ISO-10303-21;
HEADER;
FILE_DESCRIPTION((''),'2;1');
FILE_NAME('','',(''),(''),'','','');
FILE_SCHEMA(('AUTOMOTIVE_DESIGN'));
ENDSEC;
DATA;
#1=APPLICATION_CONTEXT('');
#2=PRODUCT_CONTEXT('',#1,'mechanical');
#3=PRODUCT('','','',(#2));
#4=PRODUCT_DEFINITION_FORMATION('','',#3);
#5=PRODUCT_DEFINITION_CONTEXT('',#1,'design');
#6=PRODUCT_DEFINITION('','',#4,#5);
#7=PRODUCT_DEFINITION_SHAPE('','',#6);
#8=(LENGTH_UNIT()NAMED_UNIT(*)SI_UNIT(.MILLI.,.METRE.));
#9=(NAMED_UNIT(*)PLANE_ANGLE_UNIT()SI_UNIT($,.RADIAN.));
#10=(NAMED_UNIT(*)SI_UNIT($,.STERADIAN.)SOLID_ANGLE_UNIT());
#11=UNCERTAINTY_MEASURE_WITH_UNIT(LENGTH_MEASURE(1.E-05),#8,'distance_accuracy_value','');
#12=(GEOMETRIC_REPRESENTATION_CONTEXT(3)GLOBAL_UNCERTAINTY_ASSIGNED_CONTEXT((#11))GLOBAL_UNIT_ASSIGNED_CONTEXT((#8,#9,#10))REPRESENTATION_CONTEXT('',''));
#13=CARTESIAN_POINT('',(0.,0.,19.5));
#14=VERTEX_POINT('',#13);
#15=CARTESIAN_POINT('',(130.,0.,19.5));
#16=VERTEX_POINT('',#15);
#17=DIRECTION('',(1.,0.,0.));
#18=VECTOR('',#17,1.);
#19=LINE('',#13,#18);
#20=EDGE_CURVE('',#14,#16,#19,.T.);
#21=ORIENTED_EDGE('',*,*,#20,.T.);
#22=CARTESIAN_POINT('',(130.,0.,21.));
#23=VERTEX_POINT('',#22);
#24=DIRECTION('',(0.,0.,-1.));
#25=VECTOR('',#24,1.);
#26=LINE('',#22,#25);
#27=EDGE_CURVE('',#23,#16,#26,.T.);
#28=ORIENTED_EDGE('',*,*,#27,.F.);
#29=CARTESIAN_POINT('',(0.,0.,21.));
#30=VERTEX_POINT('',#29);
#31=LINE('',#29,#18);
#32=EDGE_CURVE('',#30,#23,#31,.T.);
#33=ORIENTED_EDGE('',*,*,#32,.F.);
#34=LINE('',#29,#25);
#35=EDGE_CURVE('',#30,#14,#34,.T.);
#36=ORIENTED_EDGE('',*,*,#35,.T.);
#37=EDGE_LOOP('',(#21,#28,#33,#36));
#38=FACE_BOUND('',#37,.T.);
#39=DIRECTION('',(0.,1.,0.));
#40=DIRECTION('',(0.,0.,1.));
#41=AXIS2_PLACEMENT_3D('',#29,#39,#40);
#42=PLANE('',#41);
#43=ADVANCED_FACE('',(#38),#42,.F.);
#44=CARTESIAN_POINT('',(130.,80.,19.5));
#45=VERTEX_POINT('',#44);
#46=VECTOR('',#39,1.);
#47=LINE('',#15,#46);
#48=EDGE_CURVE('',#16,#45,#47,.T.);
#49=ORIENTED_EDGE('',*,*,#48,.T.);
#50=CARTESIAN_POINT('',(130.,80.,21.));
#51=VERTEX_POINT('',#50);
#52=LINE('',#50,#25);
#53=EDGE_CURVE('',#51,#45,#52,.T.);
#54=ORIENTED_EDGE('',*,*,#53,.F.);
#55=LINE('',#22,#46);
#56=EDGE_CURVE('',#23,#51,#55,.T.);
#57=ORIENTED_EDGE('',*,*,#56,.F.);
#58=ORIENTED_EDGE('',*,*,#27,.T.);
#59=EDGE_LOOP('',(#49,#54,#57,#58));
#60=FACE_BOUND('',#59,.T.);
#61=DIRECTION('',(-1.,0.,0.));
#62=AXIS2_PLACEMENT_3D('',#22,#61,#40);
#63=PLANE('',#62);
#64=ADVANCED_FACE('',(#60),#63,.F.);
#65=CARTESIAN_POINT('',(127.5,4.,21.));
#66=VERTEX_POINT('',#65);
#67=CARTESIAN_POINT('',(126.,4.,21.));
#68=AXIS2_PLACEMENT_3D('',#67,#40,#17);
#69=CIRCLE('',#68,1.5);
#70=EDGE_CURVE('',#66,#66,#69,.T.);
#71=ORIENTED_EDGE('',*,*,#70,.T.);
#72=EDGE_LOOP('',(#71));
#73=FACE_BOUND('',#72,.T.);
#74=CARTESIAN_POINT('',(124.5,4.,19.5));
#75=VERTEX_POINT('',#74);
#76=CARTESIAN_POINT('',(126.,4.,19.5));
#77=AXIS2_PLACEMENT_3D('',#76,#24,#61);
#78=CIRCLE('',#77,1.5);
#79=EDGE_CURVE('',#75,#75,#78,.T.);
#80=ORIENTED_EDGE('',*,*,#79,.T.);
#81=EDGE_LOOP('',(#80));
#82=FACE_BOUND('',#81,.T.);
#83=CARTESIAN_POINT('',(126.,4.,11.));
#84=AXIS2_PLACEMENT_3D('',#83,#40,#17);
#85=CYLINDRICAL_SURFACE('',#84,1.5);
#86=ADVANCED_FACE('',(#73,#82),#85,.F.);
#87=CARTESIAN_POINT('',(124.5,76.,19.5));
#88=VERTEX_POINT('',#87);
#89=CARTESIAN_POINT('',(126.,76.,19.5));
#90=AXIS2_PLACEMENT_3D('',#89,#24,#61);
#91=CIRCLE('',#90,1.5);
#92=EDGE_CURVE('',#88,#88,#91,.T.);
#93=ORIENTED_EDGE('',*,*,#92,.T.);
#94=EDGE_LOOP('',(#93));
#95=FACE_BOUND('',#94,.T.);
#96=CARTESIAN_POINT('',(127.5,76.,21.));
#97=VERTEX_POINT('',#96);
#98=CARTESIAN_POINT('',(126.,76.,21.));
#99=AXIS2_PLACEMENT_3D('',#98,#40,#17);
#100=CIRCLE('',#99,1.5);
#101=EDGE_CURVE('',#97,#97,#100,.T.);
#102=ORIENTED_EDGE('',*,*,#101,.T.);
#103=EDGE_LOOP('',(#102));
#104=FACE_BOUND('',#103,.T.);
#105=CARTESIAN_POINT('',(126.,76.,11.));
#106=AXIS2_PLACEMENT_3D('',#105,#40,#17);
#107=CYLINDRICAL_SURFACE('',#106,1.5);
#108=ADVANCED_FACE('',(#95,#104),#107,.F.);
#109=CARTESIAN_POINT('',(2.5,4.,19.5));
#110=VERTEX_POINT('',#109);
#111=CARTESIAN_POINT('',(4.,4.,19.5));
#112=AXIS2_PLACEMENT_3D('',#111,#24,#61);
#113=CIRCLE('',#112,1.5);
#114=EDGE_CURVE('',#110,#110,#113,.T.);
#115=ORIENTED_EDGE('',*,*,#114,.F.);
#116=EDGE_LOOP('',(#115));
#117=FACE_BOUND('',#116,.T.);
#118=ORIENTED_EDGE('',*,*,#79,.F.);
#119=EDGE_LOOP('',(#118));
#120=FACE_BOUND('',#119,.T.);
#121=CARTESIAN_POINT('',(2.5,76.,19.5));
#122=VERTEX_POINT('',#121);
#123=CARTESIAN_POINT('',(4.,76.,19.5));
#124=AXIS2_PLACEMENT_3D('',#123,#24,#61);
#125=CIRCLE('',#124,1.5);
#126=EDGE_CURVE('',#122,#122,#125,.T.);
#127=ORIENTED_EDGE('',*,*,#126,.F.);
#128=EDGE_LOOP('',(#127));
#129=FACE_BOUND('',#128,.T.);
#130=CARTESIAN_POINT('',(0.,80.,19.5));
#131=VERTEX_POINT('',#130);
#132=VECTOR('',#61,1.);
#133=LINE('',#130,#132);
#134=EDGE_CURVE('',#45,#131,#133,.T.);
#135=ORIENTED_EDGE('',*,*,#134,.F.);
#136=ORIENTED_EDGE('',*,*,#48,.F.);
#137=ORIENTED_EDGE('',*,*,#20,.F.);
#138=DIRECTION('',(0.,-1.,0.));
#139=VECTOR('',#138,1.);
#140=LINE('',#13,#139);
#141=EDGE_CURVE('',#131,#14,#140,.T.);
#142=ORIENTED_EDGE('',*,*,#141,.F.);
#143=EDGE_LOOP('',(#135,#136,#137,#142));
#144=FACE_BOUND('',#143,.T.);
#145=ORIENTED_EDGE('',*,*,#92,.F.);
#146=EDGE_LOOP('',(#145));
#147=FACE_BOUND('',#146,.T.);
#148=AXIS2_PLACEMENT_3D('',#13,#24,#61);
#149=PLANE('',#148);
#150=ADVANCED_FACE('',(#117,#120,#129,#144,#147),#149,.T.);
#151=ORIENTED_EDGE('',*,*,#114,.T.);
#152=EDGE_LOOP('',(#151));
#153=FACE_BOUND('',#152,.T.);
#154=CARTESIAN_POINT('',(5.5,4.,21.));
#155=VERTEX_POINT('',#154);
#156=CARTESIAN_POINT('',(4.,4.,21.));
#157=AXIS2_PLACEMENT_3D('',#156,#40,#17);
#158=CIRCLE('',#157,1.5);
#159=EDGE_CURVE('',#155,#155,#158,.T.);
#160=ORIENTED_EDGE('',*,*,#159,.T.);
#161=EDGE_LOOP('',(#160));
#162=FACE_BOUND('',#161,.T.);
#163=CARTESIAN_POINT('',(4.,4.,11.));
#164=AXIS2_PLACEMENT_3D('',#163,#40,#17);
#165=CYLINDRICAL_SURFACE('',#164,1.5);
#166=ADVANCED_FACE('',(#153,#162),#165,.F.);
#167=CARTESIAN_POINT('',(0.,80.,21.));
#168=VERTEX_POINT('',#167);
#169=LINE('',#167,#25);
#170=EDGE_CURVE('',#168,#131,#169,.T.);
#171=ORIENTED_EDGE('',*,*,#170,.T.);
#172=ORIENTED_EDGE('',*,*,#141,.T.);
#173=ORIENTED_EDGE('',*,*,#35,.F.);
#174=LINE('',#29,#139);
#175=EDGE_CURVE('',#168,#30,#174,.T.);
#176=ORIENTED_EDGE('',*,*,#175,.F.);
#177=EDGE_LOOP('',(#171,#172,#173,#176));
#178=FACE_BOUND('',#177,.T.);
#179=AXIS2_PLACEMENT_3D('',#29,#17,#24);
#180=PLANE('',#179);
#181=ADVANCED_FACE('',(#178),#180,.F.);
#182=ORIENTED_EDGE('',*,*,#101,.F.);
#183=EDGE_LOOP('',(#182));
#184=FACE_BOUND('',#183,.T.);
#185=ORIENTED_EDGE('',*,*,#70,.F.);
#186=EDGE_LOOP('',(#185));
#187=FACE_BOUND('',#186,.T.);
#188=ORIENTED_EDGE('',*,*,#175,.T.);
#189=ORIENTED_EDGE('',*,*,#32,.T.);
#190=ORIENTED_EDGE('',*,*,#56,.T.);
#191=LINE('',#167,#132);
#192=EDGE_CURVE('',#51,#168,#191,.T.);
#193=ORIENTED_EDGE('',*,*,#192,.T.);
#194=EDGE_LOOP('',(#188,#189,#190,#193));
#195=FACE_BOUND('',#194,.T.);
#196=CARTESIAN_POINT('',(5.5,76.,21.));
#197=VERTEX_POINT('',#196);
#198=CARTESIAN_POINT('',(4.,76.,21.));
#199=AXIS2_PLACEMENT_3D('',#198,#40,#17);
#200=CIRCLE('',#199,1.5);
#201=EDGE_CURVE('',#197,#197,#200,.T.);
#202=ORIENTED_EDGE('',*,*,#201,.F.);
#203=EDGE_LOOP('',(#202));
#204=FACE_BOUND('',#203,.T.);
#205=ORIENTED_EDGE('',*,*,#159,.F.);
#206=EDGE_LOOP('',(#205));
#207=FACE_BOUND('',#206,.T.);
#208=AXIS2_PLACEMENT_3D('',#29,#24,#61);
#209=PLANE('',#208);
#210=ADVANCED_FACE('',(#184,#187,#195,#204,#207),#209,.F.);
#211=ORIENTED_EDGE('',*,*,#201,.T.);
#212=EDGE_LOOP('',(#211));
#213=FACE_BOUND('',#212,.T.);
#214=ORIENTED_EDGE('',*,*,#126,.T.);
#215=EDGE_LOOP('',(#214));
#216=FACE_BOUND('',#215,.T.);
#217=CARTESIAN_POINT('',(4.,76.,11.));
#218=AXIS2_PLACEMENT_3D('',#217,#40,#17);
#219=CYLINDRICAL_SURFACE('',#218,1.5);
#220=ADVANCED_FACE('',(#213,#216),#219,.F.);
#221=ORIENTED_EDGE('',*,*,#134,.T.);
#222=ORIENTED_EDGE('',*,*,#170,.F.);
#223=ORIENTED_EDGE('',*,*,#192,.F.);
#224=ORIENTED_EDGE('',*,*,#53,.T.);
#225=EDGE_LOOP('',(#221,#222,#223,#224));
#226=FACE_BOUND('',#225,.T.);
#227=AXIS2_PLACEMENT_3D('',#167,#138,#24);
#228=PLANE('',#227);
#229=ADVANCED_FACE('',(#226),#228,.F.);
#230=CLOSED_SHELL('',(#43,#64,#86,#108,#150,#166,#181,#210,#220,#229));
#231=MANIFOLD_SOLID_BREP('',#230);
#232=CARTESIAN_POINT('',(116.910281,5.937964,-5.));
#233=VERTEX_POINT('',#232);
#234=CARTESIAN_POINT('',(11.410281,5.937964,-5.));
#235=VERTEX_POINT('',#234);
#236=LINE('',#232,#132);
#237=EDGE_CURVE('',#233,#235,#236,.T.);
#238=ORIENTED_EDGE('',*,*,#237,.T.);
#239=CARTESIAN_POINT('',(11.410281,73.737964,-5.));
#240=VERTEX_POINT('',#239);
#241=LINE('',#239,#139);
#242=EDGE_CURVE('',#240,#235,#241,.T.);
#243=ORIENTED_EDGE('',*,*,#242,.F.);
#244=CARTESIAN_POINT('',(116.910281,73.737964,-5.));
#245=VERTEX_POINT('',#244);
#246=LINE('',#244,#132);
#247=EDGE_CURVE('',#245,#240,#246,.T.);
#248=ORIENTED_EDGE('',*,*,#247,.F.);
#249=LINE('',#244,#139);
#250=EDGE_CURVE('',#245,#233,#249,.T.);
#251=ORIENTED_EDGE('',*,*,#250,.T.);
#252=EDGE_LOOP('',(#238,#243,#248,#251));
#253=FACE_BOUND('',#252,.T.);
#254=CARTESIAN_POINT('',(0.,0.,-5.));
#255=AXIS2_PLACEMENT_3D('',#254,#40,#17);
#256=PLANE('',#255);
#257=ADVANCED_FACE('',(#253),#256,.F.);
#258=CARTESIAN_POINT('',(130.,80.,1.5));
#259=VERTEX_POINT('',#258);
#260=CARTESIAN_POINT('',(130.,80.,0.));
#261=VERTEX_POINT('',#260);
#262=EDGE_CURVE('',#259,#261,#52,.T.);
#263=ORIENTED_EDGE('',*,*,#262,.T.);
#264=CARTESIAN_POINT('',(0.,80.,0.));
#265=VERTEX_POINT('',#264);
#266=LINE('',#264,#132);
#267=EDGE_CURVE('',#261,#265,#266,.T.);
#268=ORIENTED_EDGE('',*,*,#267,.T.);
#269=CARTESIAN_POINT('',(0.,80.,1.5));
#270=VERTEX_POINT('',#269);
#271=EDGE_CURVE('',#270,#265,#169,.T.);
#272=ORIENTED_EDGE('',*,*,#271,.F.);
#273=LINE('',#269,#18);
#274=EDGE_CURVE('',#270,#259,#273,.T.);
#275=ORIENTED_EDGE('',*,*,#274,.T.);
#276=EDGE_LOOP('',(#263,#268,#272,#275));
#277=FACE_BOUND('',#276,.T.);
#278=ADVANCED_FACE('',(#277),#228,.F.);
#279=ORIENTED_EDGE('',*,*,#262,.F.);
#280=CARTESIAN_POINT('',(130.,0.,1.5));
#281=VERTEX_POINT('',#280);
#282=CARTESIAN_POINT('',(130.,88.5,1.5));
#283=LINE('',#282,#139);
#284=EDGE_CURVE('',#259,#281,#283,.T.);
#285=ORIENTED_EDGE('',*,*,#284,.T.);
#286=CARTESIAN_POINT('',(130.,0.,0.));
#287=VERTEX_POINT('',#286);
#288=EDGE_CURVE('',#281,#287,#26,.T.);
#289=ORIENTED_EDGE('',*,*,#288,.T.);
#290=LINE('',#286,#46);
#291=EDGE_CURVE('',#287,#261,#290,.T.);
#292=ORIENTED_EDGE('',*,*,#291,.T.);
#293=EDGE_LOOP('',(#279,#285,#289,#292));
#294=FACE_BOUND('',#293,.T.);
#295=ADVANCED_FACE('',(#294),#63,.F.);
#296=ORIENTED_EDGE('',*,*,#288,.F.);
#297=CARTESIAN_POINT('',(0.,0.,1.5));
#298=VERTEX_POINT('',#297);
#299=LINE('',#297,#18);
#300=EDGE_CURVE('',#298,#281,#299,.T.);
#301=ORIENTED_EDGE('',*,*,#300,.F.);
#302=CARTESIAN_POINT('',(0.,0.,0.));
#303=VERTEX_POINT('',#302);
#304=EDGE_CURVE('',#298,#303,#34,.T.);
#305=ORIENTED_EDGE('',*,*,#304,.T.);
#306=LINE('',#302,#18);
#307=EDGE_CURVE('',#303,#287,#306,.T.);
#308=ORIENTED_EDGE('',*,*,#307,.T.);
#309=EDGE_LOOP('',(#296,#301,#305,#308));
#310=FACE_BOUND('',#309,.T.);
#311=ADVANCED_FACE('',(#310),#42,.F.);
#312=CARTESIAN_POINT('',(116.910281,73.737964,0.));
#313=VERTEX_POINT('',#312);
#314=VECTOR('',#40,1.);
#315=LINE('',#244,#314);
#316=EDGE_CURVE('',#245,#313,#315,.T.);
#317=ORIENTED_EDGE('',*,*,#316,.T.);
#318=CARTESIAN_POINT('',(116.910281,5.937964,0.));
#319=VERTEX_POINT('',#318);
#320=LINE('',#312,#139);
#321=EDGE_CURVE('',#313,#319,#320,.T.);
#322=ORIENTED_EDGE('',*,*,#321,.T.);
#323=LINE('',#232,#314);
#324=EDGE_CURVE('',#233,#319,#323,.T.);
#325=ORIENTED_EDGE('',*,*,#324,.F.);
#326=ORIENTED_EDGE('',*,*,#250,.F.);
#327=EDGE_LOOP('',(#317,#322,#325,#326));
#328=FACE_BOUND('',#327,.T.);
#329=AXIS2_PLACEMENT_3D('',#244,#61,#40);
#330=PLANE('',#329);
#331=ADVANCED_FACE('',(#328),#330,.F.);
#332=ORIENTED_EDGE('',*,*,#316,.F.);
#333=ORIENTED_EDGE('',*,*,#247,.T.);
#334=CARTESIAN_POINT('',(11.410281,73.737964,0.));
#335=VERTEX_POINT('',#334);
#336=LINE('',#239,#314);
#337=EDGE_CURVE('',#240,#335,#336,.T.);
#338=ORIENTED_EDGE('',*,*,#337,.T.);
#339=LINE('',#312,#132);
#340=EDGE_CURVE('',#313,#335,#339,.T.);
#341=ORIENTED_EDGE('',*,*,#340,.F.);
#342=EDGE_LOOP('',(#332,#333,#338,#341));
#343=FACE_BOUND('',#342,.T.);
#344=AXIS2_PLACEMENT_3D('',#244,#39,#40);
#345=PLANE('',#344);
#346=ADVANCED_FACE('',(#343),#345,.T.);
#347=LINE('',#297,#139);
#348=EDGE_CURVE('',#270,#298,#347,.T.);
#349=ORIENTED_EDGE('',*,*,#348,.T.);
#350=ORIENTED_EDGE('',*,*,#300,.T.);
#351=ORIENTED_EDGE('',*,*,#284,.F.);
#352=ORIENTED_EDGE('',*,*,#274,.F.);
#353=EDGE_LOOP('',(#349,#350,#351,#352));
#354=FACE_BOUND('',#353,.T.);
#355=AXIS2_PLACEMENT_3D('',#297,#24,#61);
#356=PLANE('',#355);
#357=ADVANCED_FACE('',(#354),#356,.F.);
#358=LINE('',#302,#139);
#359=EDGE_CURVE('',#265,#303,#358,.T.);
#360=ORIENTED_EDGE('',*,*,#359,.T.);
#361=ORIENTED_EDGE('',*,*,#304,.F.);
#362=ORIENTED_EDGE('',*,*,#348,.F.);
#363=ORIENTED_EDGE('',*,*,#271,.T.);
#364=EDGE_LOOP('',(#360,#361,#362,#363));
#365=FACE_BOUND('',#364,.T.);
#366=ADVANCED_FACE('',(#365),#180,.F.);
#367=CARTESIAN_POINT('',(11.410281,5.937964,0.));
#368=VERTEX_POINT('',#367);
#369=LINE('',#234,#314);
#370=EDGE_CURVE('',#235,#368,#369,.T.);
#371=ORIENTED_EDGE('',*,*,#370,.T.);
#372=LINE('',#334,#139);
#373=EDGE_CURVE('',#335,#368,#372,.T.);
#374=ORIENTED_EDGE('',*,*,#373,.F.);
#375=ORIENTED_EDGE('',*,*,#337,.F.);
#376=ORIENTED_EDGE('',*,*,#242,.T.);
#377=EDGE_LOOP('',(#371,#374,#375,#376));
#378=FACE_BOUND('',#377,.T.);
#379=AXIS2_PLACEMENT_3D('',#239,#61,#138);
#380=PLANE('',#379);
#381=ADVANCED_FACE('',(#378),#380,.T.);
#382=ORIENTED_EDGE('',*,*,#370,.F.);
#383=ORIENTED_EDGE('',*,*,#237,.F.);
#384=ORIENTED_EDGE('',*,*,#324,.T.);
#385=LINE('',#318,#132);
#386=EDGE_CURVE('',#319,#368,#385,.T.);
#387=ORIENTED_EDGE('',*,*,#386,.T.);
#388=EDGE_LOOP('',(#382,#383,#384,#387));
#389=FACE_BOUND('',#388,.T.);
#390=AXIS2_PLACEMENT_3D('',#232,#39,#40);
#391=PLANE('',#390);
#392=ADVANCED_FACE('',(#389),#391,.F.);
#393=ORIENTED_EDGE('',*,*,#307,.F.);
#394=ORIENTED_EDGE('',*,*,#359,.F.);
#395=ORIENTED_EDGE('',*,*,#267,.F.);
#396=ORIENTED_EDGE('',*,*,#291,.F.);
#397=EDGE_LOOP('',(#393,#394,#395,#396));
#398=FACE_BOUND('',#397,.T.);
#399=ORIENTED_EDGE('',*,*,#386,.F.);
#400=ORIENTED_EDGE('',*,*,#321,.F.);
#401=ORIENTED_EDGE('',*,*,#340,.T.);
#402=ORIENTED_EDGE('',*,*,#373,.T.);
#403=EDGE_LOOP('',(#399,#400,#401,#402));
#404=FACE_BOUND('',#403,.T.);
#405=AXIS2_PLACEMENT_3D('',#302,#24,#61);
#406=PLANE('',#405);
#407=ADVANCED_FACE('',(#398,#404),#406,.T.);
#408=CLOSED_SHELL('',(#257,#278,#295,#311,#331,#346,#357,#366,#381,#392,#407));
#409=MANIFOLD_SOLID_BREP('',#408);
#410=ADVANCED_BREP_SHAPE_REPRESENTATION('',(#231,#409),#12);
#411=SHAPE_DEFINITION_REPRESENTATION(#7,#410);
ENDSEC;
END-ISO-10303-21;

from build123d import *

# Parameters (mm, degrees)
ESQUISSE1_W             = 130
ESQUISSE1_H             = 80
BOSS_EXTRU_1_DEPTH      = 21
COQUE3_T                = -1.5
ESQUISSE2_W             = 105.5
ESQUISSE2_H             = 67.8
BOSS_EXTRU_2_DEPTH      = 5
ESQUISSE3_R             = 1.5
ENL_V_MAT_EXTRU_1_DEPTH = 10
ESQUISSE4_W             = 130
ESQUISSE4_H             = 18
ENL_V_MAT_EXTRU_2_DEPTH = 10


with BuildPart() as part:
    # Esquisse1 → Boss.-Extru.1 (new body)
    with BuildSketch(Plane.XY):
        with Locations((65, 40)):
            Rectangle(ESQUISSE1_W, ESQUISSE1_H)
    extrude(amount=BOSS_EXTRU_1_DEPTH)

    # Coque3
    coque3_openings = [part.faces().sort_by_distance(p)[0] for p in [
        (130, 40, 10.5),
        (65, 0, 10.5),
        (0, 40, 10.5),
    ]]
    offset(amount=COQUE3_T, openings=coque3_openings, kind=Kind.INTERSECTION)

    # Esquisse2 → Boss.-Extru.2 (add)
    with BuildSketch(Plane(origin=(0, 0, 0), x_dir=(-1, 0, 0), z_dir=(0, 0, -1))):
        with Locations((-64.160280936, 39.837964272)):
            Rectangle(ESQUISSE2_W, ESQUISSE2_H)
    extrude(amount=BOSS_EXTRU_2_DEPTH)

    # Esquisse3 → Enlèv. mat.-Extru.1 (cut)
    with BuildSketch(Plane.XY.offset(21)):
        with Locations((4, 76)):
            Circle(ESQUISSE3_R)
        with Locations((4, 4)):
            Circle(ESQUISSE3_R)
        with Locations((126, 76)):
            Circle(ESQUISSE3_R)
        with Locations((126, 4)):
            Circle(ESQUISSE3_R)
    extrude(amount=-ENL_V_MAT_EXTRU_1_DEPTH, mode=Mode.SUBTRACT)

    # Esquisse4 → Enlèv. mat.-Extru.2 (cut)
    with BuildSketch(Plane.XZ.offset(-78.5)):
        with Locations((65, 10.5)):
            Rectangle(ESQUISSE4_W, ESQUISSE4_H)
    extrude(amount=-ENL_V_MAT_EXTRU_2_DEPTH, mode=Mode.SUBTRACT)


with BuildPart() as enl_v_mat_extru_2_piece_1:
    # of the separate pieces the step leaves, piece 1, a body of its own (enl_v_mat_extru_2_pieces)
    add(part.part.solids().sort_by_distance((130, 80, 0))[0])


with BuildPart() as enl_v_mat_extru_2_piece_2:
    # of the separate pieces the step leaves, piece 2, a body of its own (enl_v_mat_extru_2_pieces)
    add(part.part.solids().sort_by_distance((0, 80, 19.5))[0])


solid = Compound([enl_v_mat_extru_2_piece_1.part, enl_v_mat_extru_2_piece_2.part])
